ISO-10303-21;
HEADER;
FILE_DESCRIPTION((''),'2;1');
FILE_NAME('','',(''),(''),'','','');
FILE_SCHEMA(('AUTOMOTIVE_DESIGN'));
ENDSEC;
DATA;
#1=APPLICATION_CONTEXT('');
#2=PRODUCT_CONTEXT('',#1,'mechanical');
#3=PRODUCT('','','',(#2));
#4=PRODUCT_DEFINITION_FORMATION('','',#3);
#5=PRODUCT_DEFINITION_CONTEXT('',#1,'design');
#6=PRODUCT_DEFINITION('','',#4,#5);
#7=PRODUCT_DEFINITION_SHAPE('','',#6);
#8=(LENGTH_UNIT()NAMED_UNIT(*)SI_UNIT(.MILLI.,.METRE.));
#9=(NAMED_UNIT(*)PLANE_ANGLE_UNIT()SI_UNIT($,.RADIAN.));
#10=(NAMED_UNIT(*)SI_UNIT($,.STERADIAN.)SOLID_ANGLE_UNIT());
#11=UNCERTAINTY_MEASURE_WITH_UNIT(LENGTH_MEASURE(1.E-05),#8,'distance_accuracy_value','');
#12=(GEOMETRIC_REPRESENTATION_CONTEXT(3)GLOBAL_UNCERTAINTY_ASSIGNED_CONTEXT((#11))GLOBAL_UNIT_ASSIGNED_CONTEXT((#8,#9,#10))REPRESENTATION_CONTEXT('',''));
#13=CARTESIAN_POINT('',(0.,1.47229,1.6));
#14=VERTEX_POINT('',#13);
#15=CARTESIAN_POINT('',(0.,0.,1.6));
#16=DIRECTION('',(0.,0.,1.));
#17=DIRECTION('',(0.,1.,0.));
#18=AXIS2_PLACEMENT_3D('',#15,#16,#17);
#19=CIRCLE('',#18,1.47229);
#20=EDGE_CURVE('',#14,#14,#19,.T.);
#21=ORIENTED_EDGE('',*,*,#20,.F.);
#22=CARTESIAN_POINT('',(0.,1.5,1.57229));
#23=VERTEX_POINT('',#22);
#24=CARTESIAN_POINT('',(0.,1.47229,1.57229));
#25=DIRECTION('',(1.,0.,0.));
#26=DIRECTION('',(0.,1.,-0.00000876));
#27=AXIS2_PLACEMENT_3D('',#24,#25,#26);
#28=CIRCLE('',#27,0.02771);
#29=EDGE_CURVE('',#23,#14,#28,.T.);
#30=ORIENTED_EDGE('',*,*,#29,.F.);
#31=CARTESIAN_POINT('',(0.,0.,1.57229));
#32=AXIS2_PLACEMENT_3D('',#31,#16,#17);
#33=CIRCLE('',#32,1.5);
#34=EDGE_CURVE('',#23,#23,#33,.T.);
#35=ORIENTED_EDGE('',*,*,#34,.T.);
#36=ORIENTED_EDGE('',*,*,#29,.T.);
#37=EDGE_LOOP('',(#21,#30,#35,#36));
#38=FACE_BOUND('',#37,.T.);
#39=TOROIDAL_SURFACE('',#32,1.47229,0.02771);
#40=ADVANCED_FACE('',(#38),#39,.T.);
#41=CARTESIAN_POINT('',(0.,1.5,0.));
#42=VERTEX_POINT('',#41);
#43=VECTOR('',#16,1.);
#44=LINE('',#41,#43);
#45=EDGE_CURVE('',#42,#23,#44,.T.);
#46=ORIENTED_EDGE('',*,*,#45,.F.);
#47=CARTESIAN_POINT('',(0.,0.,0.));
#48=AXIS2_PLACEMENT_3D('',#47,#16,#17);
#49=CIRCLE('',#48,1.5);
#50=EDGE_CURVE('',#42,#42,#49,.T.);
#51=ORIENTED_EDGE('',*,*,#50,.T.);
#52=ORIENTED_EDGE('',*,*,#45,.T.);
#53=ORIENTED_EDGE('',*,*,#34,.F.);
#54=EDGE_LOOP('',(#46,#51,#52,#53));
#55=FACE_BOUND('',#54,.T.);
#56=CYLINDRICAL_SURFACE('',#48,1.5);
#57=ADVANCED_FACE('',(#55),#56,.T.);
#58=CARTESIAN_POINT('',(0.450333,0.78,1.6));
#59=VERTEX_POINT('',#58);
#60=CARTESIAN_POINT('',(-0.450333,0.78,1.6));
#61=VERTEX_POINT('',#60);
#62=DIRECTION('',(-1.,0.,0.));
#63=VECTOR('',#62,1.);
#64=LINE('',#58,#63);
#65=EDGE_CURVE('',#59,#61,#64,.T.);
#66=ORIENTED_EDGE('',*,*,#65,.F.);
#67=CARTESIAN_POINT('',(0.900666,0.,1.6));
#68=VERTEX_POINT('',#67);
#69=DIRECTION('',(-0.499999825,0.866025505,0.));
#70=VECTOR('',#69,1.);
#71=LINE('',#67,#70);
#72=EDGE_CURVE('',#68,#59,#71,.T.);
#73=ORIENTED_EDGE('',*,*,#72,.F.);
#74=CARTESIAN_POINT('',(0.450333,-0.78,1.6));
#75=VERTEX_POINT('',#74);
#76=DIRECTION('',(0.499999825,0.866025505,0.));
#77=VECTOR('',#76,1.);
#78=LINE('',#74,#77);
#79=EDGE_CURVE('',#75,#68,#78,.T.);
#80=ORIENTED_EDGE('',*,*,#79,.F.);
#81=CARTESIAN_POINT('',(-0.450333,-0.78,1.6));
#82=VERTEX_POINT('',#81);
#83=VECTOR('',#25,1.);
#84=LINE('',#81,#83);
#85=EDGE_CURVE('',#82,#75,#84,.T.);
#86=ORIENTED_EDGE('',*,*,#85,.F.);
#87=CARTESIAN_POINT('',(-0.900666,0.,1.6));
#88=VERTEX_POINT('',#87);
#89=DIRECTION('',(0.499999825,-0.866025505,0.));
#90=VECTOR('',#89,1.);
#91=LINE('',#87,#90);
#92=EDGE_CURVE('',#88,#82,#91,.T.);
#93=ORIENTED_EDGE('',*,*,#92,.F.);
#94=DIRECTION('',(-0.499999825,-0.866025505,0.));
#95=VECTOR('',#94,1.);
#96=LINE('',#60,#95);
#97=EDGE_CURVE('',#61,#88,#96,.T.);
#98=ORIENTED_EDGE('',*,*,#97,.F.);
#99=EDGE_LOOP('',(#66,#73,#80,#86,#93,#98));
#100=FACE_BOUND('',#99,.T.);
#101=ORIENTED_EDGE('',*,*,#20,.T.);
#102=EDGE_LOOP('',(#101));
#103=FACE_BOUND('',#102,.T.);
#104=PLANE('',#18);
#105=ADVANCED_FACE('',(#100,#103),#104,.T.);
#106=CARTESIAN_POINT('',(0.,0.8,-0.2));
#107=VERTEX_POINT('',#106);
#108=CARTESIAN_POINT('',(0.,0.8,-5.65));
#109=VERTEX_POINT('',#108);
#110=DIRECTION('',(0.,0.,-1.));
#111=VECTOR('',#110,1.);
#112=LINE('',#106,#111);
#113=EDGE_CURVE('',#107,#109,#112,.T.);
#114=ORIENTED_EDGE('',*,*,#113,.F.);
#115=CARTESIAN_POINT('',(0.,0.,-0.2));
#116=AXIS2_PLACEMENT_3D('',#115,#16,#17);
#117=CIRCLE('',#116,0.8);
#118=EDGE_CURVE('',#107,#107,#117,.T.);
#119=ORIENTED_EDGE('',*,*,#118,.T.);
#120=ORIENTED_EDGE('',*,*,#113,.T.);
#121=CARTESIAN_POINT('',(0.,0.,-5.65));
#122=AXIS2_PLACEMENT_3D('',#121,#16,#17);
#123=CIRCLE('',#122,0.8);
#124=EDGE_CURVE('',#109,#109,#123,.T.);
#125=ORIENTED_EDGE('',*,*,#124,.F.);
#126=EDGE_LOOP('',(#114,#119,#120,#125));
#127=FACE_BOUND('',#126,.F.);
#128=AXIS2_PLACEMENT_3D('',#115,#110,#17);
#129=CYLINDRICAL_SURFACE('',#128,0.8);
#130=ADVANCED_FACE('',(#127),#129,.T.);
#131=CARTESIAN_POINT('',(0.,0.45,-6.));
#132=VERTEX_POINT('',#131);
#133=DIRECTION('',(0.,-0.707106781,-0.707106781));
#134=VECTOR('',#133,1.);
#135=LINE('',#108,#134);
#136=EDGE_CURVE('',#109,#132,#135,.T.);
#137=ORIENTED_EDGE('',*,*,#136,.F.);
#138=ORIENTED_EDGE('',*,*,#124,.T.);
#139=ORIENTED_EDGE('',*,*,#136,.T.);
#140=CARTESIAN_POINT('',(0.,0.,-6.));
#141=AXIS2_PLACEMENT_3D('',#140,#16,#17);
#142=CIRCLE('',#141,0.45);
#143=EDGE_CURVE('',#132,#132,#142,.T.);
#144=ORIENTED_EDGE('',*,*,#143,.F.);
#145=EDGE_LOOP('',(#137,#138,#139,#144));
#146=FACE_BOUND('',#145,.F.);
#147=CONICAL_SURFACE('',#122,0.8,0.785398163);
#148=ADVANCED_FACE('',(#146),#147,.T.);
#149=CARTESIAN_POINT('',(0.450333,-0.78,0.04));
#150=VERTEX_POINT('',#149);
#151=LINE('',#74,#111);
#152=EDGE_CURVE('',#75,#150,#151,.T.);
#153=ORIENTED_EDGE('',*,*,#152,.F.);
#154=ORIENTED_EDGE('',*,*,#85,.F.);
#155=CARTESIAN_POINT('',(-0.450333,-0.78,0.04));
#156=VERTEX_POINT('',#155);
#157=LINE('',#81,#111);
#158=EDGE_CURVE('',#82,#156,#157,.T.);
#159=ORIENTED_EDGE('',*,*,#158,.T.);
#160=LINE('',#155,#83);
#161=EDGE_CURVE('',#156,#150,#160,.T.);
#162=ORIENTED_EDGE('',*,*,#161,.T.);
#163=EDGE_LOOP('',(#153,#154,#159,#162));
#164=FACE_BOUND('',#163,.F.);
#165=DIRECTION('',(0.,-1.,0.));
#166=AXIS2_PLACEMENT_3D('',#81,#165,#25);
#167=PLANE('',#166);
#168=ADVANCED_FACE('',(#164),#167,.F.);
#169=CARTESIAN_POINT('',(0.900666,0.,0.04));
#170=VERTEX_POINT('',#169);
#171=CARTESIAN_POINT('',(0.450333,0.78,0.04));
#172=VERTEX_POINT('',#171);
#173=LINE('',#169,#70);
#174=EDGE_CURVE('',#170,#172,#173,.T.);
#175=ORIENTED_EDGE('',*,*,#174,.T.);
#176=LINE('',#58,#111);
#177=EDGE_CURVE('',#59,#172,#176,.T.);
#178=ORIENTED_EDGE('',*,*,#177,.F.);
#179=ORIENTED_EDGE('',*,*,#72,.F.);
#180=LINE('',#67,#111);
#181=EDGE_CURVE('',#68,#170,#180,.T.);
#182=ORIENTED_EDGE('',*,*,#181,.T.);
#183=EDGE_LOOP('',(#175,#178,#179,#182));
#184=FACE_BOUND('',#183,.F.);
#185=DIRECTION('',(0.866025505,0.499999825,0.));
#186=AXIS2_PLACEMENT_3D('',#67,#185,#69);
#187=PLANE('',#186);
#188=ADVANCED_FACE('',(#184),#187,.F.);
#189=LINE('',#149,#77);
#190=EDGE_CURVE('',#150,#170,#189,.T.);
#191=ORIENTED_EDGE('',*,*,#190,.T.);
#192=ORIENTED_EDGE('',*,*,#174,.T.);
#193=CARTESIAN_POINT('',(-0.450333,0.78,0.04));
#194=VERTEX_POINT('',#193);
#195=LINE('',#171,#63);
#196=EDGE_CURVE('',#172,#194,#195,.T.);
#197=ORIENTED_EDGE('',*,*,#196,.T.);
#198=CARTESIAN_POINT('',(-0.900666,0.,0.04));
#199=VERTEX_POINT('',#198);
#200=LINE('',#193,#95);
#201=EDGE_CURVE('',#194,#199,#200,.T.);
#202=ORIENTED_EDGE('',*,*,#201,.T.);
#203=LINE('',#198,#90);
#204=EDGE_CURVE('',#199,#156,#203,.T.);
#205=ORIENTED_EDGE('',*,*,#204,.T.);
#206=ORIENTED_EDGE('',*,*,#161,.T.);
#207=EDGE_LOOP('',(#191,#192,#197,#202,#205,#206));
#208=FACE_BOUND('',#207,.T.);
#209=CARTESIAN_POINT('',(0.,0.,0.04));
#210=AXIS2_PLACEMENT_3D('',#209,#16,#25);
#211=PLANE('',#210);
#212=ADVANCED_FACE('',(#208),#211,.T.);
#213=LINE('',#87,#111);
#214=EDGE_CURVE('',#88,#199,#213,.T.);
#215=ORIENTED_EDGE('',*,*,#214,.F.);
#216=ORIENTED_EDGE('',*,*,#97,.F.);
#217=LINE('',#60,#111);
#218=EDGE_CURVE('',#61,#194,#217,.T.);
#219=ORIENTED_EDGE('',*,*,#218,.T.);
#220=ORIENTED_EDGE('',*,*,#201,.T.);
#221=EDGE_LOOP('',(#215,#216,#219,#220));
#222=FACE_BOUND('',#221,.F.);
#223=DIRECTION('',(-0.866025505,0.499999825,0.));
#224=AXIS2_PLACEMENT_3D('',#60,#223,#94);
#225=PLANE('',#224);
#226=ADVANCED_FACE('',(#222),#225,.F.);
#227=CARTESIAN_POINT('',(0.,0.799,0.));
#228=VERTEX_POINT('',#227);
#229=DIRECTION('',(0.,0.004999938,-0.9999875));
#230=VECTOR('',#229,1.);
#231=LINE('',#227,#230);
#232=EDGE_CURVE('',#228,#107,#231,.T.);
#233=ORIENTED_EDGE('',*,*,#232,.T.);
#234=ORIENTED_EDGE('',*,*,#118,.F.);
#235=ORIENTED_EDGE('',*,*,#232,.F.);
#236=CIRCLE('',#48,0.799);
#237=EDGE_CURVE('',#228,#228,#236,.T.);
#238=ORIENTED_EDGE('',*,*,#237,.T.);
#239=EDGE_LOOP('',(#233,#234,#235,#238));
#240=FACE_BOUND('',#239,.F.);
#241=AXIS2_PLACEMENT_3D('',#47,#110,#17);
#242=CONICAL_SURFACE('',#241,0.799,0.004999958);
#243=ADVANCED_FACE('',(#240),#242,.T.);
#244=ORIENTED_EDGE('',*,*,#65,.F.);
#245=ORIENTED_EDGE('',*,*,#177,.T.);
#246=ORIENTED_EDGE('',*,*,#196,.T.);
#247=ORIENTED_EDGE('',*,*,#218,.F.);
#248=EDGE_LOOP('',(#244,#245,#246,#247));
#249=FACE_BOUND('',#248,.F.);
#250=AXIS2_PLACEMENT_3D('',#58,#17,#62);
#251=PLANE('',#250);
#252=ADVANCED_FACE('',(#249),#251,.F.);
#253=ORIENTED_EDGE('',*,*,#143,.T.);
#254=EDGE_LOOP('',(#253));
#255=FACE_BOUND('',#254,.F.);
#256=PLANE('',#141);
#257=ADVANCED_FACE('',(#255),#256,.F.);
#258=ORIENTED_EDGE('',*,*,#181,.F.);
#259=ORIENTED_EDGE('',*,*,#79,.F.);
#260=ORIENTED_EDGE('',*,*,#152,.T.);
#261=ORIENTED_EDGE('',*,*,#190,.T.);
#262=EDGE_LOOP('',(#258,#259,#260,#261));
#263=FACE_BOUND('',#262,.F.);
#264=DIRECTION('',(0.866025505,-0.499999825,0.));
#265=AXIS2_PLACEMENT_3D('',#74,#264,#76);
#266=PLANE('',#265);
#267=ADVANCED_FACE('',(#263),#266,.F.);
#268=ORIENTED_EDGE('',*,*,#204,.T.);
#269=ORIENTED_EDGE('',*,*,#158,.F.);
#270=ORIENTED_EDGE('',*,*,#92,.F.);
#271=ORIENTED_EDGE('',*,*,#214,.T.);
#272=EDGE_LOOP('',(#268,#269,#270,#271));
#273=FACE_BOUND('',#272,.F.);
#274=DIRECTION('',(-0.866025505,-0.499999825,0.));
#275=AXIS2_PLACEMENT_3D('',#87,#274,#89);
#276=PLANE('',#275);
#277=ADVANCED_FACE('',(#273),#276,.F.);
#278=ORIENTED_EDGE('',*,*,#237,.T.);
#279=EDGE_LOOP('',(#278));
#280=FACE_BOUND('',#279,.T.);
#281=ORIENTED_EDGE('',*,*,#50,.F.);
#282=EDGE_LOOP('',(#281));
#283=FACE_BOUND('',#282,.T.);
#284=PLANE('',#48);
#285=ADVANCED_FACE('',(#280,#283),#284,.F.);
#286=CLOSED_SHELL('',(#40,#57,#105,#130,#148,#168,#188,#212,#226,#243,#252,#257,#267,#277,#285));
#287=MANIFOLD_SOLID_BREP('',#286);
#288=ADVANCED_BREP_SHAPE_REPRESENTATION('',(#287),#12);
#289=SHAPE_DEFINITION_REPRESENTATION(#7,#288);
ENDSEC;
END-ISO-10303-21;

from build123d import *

# Parameters (mm, degrees)
POCKET_DEPTH = 1.56


with BuildPart() as part:
    # Sketch → Revolve (revolve)
    with BuildSketch(Plane.YZ):
        with BuildLine():
            Line((0.799, 0), (1.5, 0))
            Line((1.5, 0), (1.5, 1.57229))
            ThreePointArc((1.5, 1.57229), (1.491884, 1.591884), (1.47229, 1.6))
            Line((1.47229, 1.6), (0, 1.6))
            Line((0, -6), (0, 1.6))
            Line((0.45, -6), (0, -6))
            Line((0.8, -5.65), (0.45, -6))
            Line((0.8, -0.2), (0.8, -5.65))
            Line((0.799, 0), (0.8, -0.2))
        make_face()
    revolve(axis=Axis((0, 0, 0), (0, 0, 1)))

    # Sketch001 → Pocket (cut)
    with BuildSketch(Plane.XY.offset(1.6)):
        Polygon((0.900666, 0), (0.450333, 0.78), (-0.450333, 0.78), (-0.900666, 0), (-0.450333, -0.78), (0.450333, -0.78), align=None)
    extrude(amount=-POCKET_DEPTH, mode=Mode.SUBTRACT)


solid = part.part
